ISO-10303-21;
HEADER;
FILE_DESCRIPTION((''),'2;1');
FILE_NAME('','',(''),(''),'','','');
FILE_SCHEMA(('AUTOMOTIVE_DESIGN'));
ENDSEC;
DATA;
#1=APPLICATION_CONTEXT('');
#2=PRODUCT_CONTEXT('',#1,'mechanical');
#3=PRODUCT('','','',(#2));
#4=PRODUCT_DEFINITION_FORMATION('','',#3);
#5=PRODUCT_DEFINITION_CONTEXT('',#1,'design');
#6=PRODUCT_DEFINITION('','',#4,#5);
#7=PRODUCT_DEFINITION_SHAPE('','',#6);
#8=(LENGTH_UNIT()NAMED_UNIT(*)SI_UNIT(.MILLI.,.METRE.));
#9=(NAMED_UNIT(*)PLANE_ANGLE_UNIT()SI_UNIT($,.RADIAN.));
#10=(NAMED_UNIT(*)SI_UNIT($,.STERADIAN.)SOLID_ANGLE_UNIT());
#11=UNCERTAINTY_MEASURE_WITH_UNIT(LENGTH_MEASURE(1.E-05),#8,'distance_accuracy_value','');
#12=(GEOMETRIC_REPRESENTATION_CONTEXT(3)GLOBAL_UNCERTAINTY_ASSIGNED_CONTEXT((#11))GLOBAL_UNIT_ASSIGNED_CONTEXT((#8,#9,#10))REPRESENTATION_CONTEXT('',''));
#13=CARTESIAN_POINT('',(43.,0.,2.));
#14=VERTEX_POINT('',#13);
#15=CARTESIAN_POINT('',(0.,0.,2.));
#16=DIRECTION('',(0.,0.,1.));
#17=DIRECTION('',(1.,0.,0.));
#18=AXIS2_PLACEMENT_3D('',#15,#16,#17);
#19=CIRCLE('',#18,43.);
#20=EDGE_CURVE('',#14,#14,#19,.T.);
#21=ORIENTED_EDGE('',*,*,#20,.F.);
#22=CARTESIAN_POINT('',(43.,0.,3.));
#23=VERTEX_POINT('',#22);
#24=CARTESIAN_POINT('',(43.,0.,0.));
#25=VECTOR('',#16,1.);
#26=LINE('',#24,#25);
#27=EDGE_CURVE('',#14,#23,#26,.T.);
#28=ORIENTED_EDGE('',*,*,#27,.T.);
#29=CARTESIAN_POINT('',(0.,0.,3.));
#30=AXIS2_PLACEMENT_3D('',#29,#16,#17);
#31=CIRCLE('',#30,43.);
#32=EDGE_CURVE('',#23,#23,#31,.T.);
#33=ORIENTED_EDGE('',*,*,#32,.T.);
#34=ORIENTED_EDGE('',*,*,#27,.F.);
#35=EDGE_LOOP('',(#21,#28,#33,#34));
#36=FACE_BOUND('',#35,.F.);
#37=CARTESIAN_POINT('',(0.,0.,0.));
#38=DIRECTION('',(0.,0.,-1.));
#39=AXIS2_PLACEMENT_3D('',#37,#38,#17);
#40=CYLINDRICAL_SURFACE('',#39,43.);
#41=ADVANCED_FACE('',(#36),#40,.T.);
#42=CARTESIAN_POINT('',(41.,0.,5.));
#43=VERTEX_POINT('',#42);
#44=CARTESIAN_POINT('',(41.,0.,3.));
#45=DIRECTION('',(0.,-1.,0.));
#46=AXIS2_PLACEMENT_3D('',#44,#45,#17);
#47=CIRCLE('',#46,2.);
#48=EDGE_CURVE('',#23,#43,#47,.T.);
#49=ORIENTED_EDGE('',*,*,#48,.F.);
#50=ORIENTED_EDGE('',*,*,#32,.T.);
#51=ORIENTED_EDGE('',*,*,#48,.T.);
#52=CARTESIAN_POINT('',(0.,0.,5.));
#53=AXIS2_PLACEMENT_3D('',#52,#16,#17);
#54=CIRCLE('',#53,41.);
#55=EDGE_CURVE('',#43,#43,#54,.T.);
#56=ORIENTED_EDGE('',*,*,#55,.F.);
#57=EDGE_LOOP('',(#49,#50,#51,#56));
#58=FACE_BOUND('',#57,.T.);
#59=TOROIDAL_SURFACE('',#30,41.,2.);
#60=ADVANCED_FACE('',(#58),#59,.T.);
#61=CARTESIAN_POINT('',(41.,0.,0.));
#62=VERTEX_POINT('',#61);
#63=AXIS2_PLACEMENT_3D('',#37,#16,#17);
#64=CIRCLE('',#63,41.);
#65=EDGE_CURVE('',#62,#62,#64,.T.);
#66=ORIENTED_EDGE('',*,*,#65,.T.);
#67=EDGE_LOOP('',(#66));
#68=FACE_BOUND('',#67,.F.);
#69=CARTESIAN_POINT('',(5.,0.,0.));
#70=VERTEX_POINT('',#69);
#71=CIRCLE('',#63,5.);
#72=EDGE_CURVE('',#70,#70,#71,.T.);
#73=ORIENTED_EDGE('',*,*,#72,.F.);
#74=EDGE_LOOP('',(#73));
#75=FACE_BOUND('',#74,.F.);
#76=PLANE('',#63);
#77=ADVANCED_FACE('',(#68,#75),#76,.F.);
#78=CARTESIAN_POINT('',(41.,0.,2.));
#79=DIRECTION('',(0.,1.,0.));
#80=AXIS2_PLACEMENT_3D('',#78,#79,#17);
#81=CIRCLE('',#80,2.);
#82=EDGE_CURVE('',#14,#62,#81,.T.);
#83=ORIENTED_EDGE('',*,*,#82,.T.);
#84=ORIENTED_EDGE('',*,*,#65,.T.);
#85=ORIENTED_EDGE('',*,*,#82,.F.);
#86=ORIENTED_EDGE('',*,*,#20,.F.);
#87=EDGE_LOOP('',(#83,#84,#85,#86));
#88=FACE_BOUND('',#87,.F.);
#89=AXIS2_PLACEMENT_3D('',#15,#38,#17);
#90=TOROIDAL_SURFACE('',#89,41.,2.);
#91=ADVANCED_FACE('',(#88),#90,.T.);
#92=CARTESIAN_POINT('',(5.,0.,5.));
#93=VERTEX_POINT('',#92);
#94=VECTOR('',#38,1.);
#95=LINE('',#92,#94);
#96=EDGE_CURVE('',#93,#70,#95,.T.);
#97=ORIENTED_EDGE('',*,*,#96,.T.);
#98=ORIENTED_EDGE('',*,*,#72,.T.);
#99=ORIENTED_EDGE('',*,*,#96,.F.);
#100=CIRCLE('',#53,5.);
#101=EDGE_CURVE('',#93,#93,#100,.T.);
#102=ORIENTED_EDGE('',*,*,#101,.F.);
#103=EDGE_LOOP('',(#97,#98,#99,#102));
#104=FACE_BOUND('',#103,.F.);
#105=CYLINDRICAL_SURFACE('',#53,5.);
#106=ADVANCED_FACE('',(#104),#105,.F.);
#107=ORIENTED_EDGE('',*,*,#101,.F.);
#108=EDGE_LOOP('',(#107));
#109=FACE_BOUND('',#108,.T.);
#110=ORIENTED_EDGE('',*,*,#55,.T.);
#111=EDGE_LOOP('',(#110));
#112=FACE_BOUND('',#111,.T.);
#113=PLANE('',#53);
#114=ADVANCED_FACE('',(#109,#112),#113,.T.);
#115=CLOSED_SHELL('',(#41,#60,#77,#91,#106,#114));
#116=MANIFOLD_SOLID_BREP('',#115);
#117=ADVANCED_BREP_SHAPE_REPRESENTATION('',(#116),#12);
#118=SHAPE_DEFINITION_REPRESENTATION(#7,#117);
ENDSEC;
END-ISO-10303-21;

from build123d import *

# Parameters (mm, degrees)
F0_R     = 43
F1_DEPTH = 5
F2_R     = 5
F3_DEPTH = 5.001
F4_R     = 2


with BuildPart() as f1:
    # F0 (on Top) → F1 (new body)
    with BuildSketch(Plane.XY):
        Circle(F0_R)
    extrude(amount=F1_DEPTH)

    # F2 (on face) → F3 (cut, through all)
    with BuildSketch(Plane.XY.offset(5)):
        Circle(F2_R)
    extrude(amount=-F3_DEPTH, mode=Mode.SUBTRACT)

    # F4
    f4_edges = [f1.edges().sort_by_distance(p)[0] for p in [
        (-43, 0, 0),
        (-43, 0, 5),
    ]]
    fillet(f4_edges, radius=F4_R)


solid = f1.part
